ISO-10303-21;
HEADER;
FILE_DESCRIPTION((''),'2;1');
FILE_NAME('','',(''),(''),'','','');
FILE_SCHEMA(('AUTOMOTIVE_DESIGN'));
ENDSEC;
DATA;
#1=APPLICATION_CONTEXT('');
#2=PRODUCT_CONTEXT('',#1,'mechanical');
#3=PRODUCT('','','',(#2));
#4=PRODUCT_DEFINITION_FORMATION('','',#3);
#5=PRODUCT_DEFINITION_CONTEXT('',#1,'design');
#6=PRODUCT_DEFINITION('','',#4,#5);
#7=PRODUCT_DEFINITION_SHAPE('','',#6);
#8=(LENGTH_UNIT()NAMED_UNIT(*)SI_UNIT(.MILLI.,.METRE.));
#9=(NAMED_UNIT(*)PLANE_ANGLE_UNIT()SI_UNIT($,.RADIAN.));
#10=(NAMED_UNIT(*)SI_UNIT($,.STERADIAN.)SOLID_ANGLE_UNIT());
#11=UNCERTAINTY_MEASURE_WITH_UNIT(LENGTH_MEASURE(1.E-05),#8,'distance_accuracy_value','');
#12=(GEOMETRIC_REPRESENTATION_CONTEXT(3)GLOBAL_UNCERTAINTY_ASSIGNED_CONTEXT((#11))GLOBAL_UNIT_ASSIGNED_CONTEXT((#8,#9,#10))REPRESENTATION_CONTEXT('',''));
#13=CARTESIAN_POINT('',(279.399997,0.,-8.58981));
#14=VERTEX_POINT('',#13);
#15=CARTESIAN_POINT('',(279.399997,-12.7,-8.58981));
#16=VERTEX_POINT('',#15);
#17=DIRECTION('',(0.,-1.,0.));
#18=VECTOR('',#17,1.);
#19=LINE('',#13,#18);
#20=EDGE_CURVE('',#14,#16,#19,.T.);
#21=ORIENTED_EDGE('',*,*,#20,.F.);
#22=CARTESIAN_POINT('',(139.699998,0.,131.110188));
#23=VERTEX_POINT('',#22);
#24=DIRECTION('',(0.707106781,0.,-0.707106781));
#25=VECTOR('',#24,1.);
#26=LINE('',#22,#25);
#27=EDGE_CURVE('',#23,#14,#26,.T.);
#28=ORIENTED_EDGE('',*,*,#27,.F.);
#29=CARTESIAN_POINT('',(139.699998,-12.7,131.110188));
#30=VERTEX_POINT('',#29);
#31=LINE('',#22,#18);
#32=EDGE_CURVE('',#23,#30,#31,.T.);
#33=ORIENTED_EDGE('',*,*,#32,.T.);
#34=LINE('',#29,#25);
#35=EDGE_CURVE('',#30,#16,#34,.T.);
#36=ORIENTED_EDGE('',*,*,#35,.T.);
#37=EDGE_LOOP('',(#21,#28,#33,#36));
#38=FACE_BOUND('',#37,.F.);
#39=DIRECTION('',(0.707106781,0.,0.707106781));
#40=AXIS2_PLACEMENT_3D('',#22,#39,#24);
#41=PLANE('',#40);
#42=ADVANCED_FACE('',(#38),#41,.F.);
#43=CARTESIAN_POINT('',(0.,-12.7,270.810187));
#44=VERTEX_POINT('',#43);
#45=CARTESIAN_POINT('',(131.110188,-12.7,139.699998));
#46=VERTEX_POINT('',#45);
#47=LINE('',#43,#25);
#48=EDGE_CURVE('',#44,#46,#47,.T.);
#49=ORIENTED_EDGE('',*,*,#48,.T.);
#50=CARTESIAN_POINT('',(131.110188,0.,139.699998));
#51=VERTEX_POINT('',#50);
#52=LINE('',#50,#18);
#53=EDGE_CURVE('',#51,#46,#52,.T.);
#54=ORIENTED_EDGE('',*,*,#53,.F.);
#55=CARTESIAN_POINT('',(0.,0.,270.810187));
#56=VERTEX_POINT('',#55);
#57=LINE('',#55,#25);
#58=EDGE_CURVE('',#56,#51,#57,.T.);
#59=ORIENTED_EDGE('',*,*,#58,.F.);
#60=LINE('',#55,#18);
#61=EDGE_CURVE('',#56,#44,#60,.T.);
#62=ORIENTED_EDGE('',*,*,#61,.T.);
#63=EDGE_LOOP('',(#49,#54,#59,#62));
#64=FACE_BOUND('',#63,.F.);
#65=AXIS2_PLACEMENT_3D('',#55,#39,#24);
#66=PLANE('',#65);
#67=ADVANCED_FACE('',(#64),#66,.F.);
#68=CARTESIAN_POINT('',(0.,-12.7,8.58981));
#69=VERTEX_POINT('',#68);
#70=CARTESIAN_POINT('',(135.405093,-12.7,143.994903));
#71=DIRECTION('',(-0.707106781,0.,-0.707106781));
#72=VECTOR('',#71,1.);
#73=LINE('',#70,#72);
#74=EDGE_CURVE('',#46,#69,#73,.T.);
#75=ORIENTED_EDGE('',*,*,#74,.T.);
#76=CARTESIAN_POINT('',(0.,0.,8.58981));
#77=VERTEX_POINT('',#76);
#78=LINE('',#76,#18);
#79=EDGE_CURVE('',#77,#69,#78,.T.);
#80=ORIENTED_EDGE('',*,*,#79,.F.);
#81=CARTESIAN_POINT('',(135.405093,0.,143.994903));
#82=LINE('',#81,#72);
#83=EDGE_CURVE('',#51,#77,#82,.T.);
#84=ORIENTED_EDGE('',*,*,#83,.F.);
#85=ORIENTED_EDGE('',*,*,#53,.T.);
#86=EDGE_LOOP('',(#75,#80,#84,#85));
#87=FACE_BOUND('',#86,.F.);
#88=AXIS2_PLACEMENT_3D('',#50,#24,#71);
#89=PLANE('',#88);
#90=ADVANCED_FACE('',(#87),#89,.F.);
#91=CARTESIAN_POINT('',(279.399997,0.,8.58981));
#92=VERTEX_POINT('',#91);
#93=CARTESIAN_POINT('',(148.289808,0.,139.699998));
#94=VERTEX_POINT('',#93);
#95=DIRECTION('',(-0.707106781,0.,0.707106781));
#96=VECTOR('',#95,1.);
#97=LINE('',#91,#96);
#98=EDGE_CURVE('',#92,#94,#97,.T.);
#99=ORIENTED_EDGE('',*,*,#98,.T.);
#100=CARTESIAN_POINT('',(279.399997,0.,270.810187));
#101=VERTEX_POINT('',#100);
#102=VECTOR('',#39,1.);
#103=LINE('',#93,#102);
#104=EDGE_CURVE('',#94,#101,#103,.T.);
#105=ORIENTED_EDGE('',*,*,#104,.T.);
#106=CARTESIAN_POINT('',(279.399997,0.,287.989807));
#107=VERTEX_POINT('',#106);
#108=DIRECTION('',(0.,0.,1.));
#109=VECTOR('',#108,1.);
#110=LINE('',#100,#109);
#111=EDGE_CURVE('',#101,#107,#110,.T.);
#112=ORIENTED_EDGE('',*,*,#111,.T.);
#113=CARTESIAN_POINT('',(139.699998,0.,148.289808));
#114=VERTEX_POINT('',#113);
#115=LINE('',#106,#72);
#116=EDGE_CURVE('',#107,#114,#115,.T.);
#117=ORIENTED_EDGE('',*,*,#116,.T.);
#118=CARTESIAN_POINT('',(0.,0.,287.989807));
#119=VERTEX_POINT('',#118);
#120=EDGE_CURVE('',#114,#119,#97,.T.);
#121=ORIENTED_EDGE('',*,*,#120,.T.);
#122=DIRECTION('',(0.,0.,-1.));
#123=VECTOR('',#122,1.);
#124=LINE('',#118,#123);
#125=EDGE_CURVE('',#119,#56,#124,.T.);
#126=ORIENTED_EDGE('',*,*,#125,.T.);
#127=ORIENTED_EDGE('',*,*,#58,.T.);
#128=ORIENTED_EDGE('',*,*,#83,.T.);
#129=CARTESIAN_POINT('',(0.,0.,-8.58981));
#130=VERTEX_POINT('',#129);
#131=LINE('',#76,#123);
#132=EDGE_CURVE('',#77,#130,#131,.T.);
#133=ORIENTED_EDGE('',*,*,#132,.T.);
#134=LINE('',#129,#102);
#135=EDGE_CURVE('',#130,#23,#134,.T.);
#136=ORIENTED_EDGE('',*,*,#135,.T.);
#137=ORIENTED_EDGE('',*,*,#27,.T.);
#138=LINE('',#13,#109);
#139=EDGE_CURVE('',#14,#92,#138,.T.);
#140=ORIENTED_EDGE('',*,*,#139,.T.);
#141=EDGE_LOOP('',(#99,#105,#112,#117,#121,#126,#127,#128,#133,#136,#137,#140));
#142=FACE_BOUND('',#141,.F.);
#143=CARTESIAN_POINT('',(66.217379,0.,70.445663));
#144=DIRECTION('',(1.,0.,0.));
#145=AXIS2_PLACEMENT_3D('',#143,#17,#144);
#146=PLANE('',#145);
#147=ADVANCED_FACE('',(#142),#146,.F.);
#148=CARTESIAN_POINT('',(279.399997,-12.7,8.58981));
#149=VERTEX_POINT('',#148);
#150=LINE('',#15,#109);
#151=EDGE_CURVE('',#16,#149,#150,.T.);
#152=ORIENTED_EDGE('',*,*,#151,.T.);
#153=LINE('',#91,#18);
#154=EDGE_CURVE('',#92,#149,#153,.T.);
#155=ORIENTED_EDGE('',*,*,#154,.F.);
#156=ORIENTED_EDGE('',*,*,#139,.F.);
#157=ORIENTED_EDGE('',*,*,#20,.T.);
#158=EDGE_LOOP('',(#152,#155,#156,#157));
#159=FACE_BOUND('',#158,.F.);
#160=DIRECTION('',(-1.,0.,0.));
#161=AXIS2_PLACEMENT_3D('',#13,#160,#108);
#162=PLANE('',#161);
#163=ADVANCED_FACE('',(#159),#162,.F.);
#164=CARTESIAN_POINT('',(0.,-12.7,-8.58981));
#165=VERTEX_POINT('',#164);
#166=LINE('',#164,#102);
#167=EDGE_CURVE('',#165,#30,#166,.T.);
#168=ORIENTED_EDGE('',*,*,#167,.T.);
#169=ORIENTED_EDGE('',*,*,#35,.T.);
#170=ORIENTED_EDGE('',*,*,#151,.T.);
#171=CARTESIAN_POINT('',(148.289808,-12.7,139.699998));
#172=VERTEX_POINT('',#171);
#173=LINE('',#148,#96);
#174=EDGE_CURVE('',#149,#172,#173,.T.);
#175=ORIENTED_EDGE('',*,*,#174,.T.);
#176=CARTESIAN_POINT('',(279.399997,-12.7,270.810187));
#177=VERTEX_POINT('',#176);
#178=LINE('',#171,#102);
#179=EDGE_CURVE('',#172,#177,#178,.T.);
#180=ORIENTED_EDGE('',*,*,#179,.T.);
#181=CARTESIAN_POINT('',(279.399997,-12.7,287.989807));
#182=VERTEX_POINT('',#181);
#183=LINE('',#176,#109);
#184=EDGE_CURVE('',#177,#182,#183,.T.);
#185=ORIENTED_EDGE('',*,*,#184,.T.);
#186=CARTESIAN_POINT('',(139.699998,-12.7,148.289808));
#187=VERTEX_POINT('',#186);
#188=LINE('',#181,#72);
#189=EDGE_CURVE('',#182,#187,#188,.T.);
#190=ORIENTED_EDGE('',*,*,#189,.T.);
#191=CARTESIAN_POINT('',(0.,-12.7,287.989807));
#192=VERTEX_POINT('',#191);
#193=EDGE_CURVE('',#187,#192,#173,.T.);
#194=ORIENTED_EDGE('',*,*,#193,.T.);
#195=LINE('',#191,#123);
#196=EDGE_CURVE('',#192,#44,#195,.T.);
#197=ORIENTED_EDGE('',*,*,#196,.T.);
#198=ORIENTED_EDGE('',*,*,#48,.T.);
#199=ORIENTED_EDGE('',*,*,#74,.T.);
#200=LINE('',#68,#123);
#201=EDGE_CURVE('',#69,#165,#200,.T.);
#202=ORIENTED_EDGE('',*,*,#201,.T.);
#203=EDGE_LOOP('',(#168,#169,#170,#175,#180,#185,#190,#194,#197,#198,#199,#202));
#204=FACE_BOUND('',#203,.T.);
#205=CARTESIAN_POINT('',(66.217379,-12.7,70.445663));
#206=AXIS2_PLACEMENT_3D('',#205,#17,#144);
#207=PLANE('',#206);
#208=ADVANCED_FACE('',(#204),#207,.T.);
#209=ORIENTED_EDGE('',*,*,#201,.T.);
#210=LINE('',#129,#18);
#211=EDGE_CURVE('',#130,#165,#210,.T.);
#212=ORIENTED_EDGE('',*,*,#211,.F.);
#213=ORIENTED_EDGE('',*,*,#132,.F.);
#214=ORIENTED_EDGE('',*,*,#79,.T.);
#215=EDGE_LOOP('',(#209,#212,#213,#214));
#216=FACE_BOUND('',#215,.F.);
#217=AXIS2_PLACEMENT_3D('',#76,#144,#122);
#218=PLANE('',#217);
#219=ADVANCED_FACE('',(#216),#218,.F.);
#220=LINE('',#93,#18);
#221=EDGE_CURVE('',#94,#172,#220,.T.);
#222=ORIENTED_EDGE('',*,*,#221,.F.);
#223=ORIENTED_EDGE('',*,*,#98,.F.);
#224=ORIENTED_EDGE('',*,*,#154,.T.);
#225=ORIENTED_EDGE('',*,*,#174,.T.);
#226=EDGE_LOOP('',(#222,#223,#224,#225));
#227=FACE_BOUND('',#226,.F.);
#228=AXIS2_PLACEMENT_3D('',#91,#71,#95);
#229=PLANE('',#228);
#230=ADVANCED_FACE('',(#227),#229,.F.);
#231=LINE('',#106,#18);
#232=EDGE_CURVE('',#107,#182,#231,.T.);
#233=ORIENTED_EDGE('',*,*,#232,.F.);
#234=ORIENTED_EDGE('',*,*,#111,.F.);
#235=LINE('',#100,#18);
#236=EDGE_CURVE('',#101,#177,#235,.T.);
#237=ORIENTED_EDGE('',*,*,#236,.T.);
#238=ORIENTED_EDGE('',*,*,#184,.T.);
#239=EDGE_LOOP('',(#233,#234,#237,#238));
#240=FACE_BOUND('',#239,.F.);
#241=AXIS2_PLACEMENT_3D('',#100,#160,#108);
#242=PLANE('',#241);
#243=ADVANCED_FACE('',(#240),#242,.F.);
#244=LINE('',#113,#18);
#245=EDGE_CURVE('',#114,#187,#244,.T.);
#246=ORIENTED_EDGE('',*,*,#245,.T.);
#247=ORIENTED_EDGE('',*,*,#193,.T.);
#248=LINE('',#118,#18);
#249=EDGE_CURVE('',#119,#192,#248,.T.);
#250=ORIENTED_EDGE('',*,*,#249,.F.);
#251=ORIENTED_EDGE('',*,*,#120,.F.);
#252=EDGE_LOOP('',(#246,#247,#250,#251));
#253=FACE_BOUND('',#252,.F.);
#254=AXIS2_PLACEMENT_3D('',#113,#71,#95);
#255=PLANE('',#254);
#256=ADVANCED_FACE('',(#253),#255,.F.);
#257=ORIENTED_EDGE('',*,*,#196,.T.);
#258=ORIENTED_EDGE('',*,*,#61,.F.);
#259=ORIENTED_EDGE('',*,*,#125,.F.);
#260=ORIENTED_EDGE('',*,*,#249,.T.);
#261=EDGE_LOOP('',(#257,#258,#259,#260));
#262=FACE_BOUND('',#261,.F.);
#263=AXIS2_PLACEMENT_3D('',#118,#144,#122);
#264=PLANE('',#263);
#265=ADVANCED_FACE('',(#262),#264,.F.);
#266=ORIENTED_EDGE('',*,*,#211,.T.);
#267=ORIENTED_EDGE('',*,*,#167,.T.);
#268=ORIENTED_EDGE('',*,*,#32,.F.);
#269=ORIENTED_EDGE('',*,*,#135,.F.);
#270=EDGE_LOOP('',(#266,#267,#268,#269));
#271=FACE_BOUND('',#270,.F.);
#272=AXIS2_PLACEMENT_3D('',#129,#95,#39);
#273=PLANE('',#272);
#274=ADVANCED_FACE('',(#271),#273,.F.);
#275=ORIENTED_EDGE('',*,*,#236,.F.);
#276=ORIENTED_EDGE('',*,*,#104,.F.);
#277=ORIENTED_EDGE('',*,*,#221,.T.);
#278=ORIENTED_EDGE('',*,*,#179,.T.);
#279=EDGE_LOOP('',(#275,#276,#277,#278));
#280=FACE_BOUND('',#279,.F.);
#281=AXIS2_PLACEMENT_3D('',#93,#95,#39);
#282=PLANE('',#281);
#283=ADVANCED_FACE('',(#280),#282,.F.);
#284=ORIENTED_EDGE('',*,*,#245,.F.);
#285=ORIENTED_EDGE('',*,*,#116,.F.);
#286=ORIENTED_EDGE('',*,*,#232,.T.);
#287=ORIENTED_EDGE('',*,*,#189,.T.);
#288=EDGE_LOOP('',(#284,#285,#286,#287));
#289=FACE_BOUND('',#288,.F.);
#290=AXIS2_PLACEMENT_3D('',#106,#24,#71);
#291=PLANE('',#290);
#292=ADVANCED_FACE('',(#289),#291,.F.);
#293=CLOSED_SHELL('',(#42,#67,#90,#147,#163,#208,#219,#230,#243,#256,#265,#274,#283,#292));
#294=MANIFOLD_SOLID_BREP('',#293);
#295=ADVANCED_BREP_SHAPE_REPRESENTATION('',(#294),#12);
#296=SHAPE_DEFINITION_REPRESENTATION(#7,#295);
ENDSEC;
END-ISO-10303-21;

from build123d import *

# Parameters (mm, degrees)
F1_DEPTH = 12.7


with BuildPart() as f1:
    # F0 (on Front) → F1 (new body)
    with BuildSketch(Plane.XZ):
        Polygon((0, 8.5898101), (0, 0), (135.4050932787, 135.4050932787), (131.1101882287, 139.6999983287), align=None)
        Polygon((135.4050932787, 135.4050932787), (0, 0), (0, -8.5898101), (8.5898101, 0), (139.6999983287, 131.1101882287), align=None)
        Polygon((131.1101882287, 139.6999983287), (135.4050932787, 135.4050932787), (139.6999983287, 139.6999983287), (135.4050932787, 143.9949033787), align=None)
        Polygon((139.6999983287, 139.6999983287), (135.4050932787, 135.4050932787), (139.6999983287, 131.1101882287), (143.9949033787, 135.4050932787), align=None)
        Polygon((0, 270.8101865575), (131.1101882287, 139.6999983287), (135.4050932787, 143.9949033787), (0, 279.3999966575), align=None)
        Polygon((143.9949033787, 143.9949033787), (139.6999983287, 139.6999983287), (143.9949033787, 135.4050932787), (148.2898084287, 139.6999983287), align=None)
        Polygon((135.4050932787, 143.9949033787), (139.6999983287, 139.6999983287), (143.9949033787, 143.9949033787), (139.6999983287, 148.2898084287), align=None)
        Polygon((143.9949033787, 135.4050932787), (139.6999983287, 131.1101882287), (270.8101865575, 0), (279.3999966575, -8.5898101), (279.3999966575, 0), align=None)
        Polygon((0, 279.3999966575), (135.4050932787, 143.9949033787), (139.6999983287, 148.2898084287), (4.29490505, 283.6949017075), (0, 287.9898067575), align=None)
        Polygon((148.2898084287, 139.6999983287), (143.9949033787, 135.4050932787), (279.3999966575, 0), (279.3999966575, 8.5898101), align=None)
        Polygon((139.6999983287, 148.2898084287), (143.9949033787, 143.9949033787), (279.3999966575, 279.3999966575), (279.3999966575, 287.9898067575), (275.1050916075, 283.6949017075), align=None)
        Polygon((279.3999966575, 279.3999966575), (143.9949033787, 143.9949033787), (148.2898084287, 139.6999983287), (279.3999966575, 270.8101865575), align=None)
    extrude(amount=F1_DEPTH)


solid = f1.part
